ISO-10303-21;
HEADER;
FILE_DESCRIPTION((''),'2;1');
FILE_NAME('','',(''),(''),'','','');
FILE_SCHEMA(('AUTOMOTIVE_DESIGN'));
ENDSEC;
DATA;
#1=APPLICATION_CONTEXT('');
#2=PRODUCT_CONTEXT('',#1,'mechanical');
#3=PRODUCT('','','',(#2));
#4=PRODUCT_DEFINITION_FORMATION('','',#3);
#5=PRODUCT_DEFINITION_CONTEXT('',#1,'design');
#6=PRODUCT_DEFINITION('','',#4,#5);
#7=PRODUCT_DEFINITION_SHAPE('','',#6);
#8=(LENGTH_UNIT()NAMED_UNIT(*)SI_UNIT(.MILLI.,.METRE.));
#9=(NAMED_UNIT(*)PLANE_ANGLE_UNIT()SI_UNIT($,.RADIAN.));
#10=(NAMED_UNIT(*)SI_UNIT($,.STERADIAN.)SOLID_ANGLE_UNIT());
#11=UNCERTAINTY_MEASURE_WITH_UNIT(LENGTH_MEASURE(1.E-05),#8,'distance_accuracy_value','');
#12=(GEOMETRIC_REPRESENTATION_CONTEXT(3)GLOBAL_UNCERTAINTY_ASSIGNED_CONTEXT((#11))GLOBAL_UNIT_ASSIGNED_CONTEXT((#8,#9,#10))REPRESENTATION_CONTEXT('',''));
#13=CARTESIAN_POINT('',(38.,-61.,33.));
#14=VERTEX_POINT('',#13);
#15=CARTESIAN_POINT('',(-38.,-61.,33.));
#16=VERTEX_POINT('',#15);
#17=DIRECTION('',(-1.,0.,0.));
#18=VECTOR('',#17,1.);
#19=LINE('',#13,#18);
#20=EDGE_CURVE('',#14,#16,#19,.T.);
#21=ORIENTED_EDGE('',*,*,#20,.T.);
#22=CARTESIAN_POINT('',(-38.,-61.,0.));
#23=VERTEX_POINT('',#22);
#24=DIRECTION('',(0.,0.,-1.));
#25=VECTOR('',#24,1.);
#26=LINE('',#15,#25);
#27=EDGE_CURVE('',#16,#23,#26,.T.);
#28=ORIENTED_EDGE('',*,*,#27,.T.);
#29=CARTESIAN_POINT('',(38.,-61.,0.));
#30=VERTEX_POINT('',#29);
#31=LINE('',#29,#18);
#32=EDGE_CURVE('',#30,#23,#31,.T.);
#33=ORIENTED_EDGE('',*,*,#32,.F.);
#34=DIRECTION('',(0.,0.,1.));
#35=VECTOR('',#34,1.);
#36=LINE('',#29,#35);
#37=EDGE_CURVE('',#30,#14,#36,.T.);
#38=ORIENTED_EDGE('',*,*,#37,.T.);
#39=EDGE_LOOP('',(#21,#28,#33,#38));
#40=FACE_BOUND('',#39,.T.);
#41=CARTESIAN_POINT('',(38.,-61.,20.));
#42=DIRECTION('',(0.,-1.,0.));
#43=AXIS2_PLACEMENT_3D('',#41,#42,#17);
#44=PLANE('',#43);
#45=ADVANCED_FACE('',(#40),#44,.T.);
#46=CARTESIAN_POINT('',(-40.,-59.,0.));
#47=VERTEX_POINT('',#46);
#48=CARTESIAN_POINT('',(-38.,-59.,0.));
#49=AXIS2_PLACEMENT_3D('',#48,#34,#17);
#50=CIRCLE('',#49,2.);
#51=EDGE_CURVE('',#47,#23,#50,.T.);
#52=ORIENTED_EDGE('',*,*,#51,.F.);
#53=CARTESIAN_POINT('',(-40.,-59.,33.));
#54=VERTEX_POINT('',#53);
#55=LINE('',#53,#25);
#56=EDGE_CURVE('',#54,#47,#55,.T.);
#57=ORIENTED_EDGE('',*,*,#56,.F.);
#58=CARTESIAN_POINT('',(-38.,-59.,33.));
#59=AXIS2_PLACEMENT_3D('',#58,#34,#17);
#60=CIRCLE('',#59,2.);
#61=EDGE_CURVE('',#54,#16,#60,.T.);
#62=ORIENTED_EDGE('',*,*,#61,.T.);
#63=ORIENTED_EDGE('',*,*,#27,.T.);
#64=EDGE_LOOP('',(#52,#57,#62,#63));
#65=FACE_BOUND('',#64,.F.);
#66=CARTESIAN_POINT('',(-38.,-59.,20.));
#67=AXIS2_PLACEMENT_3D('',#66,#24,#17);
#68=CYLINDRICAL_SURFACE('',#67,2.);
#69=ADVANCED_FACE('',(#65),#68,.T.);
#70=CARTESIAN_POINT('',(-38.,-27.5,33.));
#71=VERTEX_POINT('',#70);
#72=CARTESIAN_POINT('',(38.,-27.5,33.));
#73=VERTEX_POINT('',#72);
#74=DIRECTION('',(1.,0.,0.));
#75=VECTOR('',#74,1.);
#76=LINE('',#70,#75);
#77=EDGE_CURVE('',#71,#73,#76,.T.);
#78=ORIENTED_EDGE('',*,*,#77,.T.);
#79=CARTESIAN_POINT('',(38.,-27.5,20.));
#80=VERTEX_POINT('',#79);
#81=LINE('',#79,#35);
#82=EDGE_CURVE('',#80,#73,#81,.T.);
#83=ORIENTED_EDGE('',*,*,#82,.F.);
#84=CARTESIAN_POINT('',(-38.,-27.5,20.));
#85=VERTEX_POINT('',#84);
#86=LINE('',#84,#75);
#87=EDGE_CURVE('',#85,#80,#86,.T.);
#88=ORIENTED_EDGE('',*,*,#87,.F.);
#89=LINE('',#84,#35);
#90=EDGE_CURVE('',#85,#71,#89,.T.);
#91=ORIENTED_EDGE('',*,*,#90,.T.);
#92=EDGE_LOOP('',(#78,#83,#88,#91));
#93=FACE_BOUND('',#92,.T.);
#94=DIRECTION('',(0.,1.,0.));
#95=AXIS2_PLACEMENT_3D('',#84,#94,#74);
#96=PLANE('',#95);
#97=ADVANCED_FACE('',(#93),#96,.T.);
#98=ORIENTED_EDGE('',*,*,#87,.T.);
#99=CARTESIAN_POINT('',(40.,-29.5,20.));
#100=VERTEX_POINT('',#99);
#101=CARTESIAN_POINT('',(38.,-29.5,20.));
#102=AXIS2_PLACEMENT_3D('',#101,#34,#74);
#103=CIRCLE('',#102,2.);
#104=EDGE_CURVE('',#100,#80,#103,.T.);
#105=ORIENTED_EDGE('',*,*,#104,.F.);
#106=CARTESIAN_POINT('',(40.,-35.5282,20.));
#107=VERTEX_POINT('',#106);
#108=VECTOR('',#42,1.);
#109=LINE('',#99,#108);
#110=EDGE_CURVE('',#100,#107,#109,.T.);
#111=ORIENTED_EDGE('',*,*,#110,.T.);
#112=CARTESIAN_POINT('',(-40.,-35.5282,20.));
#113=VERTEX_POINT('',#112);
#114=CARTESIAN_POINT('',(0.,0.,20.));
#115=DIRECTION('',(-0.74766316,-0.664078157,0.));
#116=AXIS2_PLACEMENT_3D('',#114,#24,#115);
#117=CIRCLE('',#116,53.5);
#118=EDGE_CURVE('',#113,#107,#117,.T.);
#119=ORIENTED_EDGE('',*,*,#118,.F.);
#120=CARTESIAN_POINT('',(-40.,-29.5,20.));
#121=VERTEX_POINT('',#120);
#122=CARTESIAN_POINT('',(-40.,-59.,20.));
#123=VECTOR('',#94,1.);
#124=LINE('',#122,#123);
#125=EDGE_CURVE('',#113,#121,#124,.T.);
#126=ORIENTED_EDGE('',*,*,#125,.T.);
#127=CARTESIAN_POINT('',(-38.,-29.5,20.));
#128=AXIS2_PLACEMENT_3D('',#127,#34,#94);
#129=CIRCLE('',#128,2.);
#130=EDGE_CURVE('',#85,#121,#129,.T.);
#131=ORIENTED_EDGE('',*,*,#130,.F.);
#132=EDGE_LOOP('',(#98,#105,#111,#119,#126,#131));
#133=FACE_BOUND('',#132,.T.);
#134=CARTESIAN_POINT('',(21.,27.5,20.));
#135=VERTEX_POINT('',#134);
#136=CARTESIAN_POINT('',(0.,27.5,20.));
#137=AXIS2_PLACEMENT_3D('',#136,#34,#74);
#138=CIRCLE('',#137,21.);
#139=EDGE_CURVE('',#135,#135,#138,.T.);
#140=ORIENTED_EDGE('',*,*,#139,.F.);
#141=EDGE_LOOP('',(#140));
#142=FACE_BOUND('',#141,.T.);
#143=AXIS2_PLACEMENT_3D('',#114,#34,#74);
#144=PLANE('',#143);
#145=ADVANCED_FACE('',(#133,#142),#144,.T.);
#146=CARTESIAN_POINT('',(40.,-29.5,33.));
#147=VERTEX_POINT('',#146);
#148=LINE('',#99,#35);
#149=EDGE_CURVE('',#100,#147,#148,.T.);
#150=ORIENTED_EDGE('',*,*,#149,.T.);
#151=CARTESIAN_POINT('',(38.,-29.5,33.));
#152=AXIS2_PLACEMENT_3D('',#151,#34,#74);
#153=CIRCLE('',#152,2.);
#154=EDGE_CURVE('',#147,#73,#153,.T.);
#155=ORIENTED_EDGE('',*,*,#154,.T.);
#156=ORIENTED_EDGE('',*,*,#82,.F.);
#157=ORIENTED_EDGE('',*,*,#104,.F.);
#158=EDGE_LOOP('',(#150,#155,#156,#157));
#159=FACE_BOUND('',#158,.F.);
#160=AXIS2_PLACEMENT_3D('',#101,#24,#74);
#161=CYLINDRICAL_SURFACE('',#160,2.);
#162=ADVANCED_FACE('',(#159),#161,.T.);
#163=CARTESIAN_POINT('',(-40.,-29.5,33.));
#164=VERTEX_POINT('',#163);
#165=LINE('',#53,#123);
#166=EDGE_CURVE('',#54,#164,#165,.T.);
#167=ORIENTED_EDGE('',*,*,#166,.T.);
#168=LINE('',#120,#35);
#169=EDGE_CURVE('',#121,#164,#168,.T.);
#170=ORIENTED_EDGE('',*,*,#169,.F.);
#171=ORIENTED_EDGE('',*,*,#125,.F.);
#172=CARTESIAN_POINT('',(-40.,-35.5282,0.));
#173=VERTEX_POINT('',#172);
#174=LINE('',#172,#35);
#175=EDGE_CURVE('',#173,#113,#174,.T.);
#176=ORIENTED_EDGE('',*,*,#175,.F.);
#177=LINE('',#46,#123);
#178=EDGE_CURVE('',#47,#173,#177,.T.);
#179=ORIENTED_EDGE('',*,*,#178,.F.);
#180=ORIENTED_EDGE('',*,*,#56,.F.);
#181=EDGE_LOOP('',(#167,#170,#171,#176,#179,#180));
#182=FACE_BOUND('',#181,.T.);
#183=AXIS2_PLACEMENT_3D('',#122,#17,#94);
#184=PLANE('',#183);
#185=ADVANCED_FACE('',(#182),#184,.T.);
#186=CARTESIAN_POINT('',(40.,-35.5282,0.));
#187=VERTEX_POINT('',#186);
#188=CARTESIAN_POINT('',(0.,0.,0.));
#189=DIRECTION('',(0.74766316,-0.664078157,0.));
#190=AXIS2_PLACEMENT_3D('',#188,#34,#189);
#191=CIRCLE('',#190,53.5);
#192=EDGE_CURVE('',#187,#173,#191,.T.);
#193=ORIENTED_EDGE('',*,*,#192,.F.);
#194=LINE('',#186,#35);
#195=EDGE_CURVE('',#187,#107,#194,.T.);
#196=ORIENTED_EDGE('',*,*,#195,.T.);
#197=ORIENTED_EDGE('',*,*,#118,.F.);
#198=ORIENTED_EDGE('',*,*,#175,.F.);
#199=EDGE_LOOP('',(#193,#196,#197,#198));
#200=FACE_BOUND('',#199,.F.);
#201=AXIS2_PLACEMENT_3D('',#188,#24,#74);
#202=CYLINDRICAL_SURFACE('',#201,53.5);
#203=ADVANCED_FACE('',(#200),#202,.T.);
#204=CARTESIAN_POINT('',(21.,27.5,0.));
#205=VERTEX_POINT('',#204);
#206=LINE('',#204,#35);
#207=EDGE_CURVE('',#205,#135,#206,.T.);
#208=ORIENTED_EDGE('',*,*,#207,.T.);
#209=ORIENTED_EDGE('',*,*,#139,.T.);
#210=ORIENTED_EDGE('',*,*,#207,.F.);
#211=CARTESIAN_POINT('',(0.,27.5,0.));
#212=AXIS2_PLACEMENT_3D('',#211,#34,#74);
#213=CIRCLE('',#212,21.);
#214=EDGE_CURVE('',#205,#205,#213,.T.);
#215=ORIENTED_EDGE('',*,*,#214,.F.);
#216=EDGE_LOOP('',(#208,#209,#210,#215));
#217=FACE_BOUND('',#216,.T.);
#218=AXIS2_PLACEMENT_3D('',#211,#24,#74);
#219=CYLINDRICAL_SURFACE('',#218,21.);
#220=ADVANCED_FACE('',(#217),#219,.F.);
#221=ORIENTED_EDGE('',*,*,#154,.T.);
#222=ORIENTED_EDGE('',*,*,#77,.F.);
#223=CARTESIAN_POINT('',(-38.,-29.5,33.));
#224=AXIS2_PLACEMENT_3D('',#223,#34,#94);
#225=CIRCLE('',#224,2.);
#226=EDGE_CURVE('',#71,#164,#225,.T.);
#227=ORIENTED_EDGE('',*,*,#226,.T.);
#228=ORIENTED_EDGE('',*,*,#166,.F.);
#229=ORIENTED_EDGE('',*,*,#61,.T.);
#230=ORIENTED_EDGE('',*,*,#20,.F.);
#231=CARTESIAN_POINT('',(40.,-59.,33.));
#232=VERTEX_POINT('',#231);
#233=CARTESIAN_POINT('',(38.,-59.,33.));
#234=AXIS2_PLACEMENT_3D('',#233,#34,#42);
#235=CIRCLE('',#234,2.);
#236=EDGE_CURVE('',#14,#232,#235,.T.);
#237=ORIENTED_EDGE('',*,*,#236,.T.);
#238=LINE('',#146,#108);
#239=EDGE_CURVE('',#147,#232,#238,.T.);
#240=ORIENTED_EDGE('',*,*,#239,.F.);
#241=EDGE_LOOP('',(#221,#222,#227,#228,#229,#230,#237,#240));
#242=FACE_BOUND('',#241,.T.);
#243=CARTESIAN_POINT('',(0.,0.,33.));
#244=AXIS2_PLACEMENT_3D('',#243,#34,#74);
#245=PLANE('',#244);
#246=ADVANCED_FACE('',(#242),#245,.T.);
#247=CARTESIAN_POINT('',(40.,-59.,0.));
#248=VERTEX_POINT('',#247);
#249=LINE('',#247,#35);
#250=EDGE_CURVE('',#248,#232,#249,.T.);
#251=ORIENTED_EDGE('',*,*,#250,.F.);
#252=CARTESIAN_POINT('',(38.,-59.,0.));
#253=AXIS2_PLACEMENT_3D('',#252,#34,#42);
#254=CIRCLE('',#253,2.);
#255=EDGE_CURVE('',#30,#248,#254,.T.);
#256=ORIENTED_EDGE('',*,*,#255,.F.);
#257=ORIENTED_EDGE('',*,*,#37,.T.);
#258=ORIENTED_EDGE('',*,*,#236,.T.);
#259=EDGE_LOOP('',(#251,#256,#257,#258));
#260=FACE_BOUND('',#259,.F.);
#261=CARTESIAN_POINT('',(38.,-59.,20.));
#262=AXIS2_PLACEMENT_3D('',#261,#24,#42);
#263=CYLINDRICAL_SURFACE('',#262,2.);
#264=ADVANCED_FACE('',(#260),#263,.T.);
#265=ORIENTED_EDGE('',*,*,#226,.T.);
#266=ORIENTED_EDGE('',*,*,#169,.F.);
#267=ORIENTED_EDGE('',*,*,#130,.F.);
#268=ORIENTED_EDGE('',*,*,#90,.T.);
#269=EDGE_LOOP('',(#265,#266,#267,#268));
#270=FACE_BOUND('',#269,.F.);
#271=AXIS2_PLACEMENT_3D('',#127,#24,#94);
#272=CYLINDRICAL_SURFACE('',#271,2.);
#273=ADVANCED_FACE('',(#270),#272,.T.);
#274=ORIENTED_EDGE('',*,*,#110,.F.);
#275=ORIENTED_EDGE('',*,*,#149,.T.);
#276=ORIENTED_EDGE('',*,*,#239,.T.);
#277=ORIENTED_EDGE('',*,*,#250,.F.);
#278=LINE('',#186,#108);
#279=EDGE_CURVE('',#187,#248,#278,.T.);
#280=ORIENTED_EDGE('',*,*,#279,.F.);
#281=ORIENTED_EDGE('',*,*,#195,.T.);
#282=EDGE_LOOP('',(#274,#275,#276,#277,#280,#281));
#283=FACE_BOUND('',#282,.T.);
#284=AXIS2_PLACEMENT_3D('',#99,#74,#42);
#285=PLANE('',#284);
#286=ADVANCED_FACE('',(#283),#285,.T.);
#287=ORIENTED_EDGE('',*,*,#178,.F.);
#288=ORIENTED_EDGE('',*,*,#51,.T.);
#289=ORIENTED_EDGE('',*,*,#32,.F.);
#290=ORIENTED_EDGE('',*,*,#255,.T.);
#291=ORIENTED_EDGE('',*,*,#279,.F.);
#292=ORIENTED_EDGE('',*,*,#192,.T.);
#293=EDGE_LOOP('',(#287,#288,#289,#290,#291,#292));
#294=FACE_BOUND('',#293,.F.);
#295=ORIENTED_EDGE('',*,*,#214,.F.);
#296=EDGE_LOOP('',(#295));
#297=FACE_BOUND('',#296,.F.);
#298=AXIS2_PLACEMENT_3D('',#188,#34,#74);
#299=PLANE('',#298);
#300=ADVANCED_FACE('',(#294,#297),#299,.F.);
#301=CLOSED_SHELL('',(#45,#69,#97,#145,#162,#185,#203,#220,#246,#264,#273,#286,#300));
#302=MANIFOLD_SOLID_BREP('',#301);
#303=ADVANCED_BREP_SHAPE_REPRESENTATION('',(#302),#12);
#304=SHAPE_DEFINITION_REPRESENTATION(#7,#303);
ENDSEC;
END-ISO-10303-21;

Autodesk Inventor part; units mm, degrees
ref_plane "YZ Plane" through (0, 0, 0) normal (1, 0, 0) x (0, 1, 0)
ref_plane "XZ Plane" through (0, 0, 0) normal (0, 1, 0) x (-1, 0, 0)
ref_plane "XY Plane" through (0, 0, 0) normal (0, 0, 1) x (1, 0, 0)
sketch "Sketch1" plane through (0, 0, 0) normal (0, 0, 1) x (1, 0, 0)
  circle A0 centre (0, 0) radius 53.5
  line L0 (38, -61) -> (-38, -61)
  line L1 (-40, -59) -> (-40, -35.5282)
  line L2 (40, -61) -> (-40, 61) construction
  line L3 (-40, -61) -> (40, 61) construction
  circle A1 centre (0, 27.5) radius 21
  line L4 (40, -35.5282) -> (40, -59)
  arc A2 (-40, -59) -> (-38, -61) centre (-38, -59) ccw
  arc A3 (38, -61) -> (40, -59) centre (38, -59) ccw
  dimension "d0" = 107
  dimension "d3" = 42
  dimension "d4" = 27.5
  dimension "d5" = 61
  dimension "d7" = 80
  dimension "d8" = 2
extrude "Extrusion1" add sketch "Sketch1" along normal blind 20
sketch "Sketch2" plane through (0, 0, 20) normal (0, 0, 1) x (1, 0, 0)
  line L0 (38, -61) -> (-38, -61)
  line L1 (-40, -59) -> (-40, -29.5)
  line L2 (-38, -27.5) -> (38, -27.5)
  line L3 (40, -29.5) -> (40, -59)
  arc A0 (-38, -27.5) -> (-40, -29.5) centre (-38, -29.5) ccw
  arc A1 (40, -29.5) -> (38, -27.5) centre (38, -29.5) ccw
  arc A2 (38, -61) -> (40, -59) centre (38, -59) ccw
  arc A3 (-40, -59) -> (-38, -61) centre (-38, -59) ccw
  point P0 (0, 0)
  point P1 (-40, -27.5)
  point P2 (-40, -61)
  point P3 (40, -27.5)
  dimension "d11" = 80
  dimension "d12" = 33.5
  dimension "d13" = 2
extrude "Extrusion2" add sketch "Sketch2" along normal blind 13
properties part number "ZWO-EFW-Mini" material "Steel"
